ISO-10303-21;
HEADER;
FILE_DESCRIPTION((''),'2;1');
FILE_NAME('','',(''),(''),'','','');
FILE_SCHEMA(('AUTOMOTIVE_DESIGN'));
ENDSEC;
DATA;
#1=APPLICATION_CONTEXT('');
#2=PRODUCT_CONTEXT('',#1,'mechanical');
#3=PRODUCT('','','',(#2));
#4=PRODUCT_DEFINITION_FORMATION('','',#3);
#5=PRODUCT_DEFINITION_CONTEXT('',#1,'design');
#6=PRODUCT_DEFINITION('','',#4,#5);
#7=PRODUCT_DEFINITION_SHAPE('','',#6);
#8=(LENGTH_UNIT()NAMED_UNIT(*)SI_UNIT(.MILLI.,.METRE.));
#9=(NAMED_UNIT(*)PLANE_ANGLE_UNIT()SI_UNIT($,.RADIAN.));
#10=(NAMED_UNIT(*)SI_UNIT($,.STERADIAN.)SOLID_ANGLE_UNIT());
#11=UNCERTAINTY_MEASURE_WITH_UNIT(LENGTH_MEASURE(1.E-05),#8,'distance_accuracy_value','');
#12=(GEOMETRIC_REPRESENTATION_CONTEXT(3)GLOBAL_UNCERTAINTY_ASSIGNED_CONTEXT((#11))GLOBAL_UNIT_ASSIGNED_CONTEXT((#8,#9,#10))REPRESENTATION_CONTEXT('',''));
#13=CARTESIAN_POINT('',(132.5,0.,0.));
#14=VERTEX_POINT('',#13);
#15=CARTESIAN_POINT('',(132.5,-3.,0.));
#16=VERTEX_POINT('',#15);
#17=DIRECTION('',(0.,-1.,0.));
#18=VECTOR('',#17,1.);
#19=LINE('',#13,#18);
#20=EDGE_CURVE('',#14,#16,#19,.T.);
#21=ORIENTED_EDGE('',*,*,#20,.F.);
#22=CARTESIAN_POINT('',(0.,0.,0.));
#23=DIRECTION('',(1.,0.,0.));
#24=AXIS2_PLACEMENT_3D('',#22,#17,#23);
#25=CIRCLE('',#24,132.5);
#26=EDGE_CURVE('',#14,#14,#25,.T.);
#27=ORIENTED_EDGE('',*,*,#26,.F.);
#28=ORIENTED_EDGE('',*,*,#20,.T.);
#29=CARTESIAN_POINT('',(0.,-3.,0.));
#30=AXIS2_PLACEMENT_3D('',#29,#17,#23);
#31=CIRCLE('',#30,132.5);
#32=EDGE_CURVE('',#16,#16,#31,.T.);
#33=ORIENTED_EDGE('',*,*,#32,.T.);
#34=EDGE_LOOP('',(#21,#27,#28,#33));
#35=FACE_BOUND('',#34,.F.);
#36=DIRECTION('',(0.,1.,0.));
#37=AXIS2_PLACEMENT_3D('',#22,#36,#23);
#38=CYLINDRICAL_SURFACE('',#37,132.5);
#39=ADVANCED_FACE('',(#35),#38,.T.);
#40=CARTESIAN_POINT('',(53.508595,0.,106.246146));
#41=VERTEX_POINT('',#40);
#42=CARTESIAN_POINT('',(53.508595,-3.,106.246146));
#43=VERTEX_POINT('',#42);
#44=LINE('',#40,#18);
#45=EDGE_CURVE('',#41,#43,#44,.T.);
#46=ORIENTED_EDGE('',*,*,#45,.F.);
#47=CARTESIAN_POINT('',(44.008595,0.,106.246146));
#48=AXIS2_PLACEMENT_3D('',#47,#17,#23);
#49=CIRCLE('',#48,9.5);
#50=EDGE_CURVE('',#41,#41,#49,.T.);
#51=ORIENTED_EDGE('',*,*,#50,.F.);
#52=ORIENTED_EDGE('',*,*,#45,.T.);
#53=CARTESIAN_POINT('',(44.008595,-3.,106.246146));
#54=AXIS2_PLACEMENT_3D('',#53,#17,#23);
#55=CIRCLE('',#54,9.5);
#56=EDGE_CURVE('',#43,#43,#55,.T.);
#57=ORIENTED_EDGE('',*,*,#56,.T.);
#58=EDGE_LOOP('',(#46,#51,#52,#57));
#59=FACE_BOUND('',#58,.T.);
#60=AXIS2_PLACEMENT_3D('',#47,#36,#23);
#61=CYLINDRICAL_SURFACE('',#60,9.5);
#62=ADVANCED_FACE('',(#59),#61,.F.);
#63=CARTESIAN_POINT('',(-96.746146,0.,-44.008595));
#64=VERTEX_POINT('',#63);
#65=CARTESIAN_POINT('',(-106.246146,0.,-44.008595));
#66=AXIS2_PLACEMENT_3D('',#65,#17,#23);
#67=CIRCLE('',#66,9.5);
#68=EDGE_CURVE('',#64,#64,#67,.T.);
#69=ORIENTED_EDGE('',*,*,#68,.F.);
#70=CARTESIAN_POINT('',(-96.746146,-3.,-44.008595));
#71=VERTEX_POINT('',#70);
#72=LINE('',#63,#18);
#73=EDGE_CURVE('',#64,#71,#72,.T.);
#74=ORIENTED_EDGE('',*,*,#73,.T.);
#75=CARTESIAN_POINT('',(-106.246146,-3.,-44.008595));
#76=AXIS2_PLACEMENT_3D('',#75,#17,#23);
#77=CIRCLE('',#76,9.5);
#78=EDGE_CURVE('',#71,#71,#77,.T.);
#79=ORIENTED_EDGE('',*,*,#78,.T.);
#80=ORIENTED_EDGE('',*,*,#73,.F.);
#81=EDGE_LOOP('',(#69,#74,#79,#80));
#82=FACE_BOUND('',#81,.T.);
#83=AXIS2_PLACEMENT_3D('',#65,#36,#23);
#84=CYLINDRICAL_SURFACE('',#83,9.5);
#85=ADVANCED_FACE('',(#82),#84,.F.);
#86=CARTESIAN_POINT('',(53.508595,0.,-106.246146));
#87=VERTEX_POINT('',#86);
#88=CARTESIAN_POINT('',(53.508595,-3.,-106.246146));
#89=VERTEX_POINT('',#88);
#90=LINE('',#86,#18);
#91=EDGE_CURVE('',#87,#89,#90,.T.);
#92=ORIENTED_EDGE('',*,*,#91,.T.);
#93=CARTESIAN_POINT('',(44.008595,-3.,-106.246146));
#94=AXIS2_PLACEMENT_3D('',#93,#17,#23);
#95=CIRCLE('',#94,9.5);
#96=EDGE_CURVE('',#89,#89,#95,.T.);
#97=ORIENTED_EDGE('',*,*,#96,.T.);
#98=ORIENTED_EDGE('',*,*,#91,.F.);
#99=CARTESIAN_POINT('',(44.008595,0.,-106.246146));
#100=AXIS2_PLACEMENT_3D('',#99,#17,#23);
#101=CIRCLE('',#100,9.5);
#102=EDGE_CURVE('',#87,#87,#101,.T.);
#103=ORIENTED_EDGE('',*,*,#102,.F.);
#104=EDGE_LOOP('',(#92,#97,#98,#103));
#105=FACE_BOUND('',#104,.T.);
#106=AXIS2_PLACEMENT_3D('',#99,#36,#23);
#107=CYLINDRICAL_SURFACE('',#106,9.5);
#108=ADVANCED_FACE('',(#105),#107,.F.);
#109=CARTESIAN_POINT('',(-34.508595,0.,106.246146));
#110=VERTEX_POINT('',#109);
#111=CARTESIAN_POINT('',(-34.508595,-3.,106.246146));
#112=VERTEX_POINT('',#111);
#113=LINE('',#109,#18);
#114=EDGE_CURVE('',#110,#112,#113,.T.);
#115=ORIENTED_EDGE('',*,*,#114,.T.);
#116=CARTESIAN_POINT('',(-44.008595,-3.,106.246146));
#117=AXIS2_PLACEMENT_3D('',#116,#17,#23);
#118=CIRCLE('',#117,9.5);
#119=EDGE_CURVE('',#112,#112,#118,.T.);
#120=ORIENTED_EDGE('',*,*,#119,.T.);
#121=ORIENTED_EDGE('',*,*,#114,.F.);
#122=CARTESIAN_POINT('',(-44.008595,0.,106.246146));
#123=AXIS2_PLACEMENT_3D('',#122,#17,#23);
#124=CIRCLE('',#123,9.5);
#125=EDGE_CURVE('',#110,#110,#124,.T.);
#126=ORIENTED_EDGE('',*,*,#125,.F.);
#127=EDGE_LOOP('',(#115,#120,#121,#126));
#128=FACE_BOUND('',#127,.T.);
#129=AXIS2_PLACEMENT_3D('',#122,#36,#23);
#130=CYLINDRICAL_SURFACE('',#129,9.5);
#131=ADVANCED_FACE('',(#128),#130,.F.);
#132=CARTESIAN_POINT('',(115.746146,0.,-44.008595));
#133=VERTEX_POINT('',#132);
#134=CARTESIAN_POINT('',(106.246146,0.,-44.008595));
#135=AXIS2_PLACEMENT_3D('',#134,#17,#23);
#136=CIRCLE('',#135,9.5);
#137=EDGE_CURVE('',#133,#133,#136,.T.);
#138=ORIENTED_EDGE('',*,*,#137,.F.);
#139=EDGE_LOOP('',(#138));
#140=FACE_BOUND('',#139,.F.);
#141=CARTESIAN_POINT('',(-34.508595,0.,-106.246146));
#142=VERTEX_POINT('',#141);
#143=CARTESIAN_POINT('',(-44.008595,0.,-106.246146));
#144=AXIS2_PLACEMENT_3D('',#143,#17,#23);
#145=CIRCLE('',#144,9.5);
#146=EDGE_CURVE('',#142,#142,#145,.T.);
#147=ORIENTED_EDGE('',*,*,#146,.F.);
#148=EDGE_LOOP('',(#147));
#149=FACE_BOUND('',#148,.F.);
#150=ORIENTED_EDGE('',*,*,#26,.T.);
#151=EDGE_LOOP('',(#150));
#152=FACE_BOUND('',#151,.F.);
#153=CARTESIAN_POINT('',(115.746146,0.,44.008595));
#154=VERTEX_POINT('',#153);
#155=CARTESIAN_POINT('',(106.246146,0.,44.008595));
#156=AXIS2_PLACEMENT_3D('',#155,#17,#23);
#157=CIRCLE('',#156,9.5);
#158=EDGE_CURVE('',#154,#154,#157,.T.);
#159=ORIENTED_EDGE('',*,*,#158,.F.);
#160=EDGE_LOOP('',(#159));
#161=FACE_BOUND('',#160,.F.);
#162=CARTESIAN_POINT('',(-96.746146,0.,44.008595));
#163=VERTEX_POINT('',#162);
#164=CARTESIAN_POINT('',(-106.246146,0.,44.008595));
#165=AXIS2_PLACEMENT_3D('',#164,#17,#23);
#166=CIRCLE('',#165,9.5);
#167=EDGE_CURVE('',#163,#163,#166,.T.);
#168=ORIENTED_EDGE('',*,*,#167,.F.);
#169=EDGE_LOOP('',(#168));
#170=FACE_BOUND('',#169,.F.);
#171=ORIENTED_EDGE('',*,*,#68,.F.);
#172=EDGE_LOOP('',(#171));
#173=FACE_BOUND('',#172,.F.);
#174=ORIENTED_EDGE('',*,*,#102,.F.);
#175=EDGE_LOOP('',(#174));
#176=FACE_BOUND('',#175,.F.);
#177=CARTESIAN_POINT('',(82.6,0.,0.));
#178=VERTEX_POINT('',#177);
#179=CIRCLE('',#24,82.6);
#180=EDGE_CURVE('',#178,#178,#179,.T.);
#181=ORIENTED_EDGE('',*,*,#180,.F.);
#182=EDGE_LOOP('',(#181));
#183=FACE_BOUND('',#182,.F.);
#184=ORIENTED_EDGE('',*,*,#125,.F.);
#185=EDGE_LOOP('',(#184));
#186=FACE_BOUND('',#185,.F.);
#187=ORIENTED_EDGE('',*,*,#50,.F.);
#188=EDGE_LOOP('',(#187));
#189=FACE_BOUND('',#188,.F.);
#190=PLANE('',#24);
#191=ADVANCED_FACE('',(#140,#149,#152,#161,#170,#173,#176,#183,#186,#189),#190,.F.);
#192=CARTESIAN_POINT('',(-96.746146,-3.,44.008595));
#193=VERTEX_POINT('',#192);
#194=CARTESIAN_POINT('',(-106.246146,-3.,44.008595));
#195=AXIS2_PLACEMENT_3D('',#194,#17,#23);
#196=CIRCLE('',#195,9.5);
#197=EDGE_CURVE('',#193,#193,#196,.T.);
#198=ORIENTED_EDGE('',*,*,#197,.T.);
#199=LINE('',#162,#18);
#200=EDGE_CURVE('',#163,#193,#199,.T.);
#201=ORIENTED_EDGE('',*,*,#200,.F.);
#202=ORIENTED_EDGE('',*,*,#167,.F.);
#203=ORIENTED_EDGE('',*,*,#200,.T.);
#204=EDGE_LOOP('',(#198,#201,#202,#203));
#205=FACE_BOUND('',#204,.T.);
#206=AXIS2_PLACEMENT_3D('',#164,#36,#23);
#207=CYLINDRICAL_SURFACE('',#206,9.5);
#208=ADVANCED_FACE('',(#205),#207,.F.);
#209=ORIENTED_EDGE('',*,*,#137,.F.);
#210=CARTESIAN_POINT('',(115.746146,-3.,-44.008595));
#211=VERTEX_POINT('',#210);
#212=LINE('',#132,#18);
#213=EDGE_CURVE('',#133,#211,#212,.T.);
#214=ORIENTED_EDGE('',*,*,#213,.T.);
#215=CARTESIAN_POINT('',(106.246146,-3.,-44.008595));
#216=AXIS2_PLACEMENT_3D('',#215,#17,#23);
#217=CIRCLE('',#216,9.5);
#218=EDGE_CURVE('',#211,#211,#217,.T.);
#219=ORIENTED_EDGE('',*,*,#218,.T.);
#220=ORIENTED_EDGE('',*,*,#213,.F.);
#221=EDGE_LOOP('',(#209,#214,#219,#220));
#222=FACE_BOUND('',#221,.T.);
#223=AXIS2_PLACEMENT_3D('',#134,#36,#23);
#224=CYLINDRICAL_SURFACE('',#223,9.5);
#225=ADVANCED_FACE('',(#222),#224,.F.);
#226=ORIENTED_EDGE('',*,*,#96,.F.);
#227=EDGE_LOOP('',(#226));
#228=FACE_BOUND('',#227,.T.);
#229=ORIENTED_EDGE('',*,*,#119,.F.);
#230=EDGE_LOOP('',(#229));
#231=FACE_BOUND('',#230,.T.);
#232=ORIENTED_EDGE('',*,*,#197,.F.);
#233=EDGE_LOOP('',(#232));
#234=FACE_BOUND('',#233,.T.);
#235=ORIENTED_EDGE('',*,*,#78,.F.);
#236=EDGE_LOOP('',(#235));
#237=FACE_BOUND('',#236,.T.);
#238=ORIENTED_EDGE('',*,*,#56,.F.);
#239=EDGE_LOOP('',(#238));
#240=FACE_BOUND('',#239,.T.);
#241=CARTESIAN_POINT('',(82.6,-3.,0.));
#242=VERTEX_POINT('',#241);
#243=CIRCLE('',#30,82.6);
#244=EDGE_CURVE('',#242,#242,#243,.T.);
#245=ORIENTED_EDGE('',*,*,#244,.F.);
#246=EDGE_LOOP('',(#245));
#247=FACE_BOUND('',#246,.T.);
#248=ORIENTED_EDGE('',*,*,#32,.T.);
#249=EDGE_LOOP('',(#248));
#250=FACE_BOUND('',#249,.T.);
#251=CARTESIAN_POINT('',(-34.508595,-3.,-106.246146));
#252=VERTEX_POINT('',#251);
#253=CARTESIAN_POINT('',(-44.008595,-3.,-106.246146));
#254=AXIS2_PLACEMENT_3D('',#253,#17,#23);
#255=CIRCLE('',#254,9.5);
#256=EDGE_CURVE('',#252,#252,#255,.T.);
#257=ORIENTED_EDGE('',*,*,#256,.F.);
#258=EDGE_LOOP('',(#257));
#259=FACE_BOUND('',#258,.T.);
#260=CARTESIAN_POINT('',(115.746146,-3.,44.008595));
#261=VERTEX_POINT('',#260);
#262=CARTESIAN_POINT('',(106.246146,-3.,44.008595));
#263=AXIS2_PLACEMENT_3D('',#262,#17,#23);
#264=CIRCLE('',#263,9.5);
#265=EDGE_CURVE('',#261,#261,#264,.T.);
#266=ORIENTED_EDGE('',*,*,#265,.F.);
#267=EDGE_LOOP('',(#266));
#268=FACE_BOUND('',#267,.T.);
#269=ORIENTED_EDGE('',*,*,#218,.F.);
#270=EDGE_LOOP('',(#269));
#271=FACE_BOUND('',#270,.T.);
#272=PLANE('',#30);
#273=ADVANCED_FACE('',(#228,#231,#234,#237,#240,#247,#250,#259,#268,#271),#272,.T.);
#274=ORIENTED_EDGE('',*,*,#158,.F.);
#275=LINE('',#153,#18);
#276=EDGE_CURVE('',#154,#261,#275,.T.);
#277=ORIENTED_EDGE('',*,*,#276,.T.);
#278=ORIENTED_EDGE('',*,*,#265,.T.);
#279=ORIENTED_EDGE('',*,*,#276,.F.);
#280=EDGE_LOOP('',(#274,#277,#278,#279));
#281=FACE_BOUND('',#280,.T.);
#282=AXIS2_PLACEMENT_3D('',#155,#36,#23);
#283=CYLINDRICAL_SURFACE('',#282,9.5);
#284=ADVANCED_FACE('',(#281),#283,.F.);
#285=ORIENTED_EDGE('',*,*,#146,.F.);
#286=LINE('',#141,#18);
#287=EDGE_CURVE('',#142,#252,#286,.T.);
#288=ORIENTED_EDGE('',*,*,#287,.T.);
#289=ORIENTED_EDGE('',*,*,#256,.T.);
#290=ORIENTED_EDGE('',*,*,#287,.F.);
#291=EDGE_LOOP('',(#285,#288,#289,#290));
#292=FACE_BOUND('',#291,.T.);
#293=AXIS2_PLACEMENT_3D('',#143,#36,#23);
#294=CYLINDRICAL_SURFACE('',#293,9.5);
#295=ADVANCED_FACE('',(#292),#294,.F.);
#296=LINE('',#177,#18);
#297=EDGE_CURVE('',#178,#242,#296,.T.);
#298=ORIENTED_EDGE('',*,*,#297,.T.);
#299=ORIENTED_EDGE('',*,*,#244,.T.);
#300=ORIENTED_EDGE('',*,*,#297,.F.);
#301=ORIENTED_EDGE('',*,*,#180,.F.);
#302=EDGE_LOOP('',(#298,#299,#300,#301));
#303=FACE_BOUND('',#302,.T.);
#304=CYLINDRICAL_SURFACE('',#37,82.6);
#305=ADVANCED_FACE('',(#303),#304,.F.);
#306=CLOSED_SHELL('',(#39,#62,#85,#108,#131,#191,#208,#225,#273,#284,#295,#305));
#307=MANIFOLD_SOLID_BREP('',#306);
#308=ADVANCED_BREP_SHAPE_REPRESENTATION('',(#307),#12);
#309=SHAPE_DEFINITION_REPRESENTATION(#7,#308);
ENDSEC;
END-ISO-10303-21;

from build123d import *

# Parameters (mm, degrees)
F0_R     = 132.5
F0_R_2   = 9.5
F0_R_3   = 82.6
F1_DEPTH = 3


with BuildPart() as f1:
    # F0 (on Front) → F1 (new body)
    with BuildSketch(Plane.XZ):
        Circle(F0_R)
        with Locations((-44.008595, -106.246146)):
            Circle(F0_R_2, mode=Mode.SUBTRACT)
        with Locations((-106.246146, -44.008595)):
            Circle(F0_R_2, mode=Mode.SUBTRACT)
        with Locations((44.008595, -106.246146)):
            Circle(F0_R_2, mode=Mode.SUBTRACT)
        with Locations((106.246146, -44.008595)):
            Circle(F0_R_2, mode=Mode.SUBTRACT)
        with Locations((-106.246146, 44.008595)):
            Circle(F0_R_2, mode=Mode.SUBTRACT)
        with Locations((-44.008595, 106.246146)):
            Circle(F0_R_2, mode=Mode.SUBTRACT)
        Circle(F0_R_3, mode=Mode.SUBTRACT)
        with Locations((106.246146, 44.008595)):
            Circle(F0_R_2, mode=Mode.SUBTRACT)
        with Locations((44.008595, 106.246146)):
            Circle(F0_R_2, mode=Mode.SUBTRACT)
    extrude(amount=F1_DEPTH)


solid = f1.part
